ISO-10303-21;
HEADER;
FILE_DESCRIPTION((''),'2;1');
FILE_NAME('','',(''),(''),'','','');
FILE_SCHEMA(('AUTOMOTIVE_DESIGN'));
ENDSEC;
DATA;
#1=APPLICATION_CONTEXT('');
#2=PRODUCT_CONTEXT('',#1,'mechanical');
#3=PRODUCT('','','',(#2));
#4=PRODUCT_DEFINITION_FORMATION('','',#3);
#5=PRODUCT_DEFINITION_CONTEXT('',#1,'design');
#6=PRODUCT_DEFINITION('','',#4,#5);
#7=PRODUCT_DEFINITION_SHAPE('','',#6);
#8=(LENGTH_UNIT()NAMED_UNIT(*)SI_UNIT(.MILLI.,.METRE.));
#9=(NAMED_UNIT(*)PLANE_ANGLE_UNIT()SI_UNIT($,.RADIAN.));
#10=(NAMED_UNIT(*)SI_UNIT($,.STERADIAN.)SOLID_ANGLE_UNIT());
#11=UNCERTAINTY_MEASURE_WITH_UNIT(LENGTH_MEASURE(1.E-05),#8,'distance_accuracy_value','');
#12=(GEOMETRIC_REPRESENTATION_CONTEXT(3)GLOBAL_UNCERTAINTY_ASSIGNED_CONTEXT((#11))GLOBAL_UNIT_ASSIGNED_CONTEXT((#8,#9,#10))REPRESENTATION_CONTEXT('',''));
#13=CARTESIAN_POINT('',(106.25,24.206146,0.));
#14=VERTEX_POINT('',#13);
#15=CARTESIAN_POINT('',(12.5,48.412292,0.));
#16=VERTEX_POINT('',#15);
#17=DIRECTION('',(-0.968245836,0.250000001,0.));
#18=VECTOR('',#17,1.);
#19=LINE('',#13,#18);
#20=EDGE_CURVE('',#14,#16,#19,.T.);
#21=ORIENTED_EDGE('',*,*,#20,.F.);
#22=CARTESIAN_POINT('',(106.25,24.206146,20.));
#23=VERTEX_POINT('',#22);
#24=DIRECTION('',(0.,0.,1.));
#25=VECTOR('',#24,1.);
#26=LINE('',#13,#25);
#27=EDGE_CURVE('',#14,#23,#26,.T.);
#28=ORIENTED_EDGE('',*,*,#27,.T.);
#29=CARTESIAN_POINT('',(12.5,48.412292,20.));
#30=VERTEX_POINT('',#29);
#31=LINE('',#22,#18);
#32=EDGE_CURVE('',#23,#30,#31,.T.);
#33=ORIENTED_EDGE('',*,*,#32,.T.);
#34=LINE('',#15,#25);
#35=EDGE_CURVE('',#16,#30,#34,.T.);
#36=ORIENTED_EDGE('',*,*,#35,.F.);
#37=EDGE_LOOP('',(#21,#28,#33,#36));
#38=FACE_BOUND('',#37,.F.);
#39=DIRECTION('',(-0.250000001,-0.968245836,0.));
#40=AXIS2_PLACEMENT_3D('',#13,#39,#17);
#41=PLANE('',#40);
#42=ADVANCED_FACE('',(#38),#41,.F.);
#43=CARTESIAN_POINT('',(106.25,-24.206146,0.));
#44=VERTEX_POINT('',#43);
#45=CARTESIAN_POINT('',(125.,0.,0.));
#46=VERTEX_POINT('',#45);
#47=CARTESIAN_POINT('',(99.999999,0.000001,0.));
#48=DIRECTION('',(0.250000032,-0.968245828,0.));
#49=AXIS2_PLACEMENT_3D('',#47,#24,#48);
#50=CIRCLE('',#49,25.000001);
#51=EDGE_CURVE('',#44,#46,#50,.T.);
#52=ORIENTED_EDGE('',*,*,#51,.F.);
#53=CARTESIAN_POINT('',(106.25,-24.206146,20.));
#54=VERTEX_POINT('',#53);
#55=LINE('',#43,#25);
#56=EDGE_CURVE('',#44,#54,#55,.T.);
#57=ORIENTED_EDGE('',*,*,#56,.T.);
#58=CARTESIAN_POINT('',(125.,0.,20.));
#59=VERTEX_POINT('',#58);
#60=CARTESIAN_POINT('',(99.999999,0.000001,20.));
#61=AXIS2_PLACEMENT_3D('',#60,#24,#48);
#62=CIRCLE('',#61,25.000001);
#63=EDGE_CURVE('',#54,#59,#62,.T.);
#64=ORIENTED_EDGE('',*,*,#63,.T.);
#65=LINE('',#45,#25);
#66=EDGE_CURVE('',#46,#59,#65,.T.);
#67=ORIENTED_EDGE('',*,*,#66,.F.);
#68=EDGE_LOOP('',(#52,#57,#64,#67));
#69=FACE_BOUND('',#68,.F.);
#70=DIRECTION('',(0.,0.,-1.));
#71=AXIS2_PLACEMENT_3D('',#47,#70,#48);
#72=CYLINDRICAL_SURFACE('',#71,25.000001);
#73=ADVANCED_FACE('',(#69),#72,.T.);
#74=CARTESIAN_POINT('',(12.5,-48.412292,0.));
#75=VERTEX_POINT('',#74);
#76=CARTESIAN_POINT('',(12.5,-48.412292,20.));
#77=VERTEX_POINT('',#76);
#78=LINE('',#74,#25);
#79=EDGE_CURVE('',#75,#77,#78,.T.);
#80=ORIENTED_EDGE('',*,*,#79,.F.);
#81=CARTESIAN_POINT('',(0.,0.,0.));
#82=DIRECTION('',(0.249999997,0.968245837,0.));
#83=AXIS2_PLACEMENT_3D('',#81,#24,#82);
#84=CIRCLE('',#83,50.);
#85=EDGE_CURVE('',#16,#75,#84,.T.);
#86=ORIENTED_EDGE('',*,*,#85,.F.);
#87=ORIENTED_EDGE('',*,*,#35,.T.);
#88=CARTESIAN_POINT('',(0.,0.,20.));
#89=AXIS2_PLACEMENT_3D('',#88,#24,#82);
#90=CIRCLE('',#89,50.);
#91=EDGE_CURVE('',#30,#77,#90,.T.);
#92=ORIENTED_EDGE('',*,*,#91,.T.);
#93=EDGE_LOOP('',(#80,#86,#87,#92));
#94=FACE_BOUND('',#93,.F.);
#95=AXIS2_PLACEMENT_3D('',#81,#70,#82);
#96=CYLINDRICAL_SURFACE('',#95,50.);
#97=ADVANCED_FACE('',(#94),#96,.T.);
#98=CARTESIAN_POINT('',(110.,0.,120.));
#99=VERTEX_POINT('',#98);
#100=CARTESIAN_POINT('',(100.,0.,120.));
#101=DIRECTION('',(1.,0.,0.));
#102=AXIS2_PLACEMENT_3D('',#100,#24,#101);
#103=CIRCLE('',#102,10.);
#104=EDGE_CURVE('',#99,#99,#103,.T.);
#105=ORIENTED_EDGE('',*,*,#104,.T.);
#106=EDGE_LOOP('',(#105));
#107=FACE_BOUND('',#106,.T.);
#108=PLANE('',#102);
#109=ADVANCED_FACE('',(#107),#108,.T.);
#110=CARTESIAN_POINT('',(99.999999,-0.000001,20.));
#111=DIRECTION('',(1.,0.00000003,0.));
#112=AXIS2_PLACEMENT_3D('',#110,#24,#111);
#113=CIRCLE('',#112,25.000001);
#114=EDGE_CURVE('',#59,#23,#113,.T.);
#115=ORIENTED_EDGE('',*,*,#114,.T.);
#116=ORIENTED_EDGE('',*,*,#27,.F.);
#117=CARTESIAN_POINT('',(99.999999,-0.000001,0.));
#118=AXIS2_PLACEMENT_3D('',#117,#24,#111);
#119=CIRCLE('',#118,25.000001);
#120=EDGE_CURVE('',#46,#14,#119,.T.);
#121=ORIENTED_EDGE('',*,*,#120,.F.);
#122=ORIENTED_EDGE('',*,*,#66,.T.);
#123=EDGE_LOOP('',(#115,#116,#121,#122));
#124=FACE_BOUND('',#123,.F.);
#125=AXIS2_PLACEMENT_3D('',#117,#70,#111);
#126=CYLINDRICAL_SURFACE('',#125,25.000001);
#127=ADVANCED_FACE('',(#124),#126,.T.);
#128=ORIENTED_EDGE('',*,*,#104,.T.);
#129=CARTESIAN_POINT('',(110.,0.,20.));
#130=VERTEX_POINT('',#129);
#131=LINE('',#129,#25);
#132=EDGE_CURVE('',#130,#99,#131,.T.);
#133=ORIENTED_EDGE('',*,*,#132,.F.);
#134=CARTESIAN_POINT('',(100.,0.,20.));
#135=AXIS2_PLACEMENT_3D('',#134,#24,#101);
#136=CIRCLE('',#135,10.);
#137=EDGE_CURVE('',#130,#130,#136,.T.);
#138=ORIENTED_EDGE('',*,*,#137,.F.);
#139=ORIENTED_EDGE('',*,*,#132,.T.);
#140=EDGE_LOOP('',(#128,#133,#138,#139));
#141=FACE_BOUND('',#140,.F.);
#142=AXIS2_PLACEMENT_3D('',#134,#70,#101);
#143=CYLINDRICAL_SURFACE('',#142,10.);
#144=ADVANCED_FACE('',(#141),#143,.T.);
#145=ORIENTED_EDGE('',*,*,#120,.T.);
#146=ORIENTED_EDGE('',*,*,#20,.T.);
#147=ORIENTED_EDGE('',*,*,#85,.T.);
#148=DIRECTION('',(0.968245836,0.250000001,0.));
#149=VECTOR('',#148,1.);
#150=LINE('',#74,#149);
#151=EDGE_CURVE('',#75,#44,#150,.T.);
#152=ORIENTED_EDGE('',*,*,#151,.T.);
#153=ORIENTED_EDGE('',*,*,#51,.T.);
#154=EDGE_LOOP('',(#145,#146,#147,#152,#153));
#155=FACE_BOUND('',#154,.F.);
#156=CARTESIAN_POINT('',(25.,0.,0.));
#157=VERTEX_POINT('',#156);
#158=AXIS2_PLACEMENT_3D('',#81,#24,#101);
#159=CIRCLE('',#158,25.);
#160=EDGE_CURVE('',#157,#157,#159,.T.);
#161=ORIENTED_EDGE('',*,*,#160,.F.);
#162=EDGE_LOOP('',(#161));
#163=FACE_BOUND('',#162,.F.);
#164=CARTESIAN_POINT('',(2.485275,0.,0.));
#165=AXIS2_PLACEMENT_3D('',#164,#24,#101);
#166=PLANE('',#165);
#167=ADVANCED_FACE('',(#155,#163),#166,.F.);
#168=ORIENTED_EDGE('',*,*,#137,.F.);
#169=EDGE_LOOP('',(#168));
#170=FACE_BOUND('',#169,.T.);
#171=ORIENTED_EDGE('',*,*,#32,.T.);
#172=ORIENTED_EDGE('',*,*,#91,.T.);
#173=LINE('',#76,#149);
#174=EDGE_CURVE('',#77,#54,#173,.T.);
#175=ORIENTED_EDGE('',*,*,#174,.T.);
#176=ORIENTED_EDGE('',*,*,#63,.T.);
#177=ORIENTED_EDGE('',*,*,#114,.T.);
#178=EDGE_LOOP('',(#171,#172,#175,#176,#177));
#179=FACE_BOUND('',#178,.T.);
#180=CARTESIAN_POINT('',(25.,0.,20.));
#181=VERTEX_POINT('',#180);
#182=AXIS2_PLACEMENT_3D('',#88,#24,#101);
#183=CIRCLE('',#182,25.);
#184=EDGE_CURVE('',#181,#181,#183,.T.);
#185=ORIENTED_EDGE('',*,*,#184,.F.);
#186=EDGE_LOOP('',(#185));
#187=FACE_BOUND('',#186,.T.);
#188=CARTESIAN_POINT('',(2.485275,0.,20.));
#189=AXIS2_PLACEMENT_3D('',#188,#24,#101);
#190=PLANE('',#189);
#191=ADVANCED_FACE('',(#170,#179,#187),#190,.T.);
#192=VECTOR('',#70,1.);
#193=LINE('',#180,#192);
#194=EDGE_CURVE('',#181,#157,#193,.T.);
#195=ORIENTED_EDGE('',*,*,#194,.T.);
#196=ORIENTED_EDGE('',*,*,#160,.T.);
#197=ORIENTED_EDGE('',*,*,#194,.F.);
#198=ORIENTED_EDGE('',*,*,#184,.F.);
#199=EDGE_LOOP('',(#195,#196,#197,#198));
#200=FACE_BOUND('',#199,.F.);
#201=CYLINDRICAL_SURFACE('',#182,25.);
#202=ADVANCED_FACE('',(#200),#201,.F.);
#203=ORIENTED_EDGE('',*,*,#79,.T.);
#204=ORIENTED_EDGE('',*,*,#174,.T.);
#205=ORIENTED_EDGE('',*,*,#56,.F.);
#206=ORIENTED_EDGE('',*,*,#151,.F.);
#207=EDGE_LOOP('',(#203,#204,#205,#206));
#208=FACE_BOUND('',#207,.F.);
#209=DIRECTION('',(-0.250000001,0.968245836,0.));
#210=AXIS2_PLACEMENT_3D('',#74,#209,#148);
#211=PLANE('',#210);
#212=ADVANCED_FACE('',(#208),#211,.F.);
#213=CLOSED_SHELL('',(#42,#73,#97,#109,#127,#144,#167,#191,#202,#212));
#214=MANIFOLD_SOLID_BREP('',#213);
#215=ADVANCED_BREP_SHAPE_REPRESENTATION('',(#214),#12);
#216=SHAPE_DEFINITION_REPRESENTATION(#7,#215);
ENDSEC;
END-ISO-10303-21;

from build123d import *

# Parameters (mm, degrees)
F1_DEPTH = 20
F3_R     = 25
F2_DEPTH = 20.001
F4_R     = 10
F5_DEPTH = 100


with BuildPart() as f1:
    # F0 (on Top) → F1 (new body)
    with BuildSketch(Plane.XY):
        with BuildLine():
            ThreePointArc((12.5, -48.412292), (39.528471, -30.618622), (50, 0))
            ThreePointArc((50, 0), (39.528471, 30.618622), (12.5, 48.412292))
            ThreePointArc((12.5, 48.412292), (-50, 0), (12.5, -48.412292))
        make_face()
        with BuildLine():
            ThreePointArc((12.5, 48.412292), (39.528471, 30.618622), (50, 0))
            Line((50, 0), (75, 0))
            ThreePointArc((75, 0), (84.690689, 19.764235), (106.25, 24.206146))
            Line((106.25, 24.206146), (12.5, 48.412292))
        make_face()
        with BuildLine():
            Line((75, 0), (50, 0))
            ThreePointArc((50, 0), (39.528471, -30.618622), (12.5, -48.412292))
            Line((12.5, -48.412292), (106.25, -24.206146))
            ThreePointArc((106.25, -24.206146), (84.690689, -19.764235), (75, 0))
        make_face()
        with BuildLine():
            ThreePointArc((106.25, 24.206146), (84.690689, 19.764235), (75, 0))
            ThreePointArc((75, 0), (84.690689, -19.764235), (106.25, -24.206146))
            ThreePointArc((106.25, -24.206146), (119.764235, -15.309311), (125, 0))
            ThreePointArc((125, 0), (119.764235, 15.309311), (106.25, 24.206146))
        make_face()
    extrude(amount=F1_DEPTH)

    # F3 (on face) → F2 (cut, through all)
    with BuildSketch(Plane.XY.offset(20)):
        Circle(F3_R)
    extrude(amount=-F2_DEPTH, mode=Mode.SUBTRACT)

    # F4 (on face) → F5 (join)
    with BuildSketch(Plane.XY.offset(20)):
        with Locations((100, 0)):
            Circle(F4_R)
    extrude(amount=F5_DEPTH)


solid = f1.part
